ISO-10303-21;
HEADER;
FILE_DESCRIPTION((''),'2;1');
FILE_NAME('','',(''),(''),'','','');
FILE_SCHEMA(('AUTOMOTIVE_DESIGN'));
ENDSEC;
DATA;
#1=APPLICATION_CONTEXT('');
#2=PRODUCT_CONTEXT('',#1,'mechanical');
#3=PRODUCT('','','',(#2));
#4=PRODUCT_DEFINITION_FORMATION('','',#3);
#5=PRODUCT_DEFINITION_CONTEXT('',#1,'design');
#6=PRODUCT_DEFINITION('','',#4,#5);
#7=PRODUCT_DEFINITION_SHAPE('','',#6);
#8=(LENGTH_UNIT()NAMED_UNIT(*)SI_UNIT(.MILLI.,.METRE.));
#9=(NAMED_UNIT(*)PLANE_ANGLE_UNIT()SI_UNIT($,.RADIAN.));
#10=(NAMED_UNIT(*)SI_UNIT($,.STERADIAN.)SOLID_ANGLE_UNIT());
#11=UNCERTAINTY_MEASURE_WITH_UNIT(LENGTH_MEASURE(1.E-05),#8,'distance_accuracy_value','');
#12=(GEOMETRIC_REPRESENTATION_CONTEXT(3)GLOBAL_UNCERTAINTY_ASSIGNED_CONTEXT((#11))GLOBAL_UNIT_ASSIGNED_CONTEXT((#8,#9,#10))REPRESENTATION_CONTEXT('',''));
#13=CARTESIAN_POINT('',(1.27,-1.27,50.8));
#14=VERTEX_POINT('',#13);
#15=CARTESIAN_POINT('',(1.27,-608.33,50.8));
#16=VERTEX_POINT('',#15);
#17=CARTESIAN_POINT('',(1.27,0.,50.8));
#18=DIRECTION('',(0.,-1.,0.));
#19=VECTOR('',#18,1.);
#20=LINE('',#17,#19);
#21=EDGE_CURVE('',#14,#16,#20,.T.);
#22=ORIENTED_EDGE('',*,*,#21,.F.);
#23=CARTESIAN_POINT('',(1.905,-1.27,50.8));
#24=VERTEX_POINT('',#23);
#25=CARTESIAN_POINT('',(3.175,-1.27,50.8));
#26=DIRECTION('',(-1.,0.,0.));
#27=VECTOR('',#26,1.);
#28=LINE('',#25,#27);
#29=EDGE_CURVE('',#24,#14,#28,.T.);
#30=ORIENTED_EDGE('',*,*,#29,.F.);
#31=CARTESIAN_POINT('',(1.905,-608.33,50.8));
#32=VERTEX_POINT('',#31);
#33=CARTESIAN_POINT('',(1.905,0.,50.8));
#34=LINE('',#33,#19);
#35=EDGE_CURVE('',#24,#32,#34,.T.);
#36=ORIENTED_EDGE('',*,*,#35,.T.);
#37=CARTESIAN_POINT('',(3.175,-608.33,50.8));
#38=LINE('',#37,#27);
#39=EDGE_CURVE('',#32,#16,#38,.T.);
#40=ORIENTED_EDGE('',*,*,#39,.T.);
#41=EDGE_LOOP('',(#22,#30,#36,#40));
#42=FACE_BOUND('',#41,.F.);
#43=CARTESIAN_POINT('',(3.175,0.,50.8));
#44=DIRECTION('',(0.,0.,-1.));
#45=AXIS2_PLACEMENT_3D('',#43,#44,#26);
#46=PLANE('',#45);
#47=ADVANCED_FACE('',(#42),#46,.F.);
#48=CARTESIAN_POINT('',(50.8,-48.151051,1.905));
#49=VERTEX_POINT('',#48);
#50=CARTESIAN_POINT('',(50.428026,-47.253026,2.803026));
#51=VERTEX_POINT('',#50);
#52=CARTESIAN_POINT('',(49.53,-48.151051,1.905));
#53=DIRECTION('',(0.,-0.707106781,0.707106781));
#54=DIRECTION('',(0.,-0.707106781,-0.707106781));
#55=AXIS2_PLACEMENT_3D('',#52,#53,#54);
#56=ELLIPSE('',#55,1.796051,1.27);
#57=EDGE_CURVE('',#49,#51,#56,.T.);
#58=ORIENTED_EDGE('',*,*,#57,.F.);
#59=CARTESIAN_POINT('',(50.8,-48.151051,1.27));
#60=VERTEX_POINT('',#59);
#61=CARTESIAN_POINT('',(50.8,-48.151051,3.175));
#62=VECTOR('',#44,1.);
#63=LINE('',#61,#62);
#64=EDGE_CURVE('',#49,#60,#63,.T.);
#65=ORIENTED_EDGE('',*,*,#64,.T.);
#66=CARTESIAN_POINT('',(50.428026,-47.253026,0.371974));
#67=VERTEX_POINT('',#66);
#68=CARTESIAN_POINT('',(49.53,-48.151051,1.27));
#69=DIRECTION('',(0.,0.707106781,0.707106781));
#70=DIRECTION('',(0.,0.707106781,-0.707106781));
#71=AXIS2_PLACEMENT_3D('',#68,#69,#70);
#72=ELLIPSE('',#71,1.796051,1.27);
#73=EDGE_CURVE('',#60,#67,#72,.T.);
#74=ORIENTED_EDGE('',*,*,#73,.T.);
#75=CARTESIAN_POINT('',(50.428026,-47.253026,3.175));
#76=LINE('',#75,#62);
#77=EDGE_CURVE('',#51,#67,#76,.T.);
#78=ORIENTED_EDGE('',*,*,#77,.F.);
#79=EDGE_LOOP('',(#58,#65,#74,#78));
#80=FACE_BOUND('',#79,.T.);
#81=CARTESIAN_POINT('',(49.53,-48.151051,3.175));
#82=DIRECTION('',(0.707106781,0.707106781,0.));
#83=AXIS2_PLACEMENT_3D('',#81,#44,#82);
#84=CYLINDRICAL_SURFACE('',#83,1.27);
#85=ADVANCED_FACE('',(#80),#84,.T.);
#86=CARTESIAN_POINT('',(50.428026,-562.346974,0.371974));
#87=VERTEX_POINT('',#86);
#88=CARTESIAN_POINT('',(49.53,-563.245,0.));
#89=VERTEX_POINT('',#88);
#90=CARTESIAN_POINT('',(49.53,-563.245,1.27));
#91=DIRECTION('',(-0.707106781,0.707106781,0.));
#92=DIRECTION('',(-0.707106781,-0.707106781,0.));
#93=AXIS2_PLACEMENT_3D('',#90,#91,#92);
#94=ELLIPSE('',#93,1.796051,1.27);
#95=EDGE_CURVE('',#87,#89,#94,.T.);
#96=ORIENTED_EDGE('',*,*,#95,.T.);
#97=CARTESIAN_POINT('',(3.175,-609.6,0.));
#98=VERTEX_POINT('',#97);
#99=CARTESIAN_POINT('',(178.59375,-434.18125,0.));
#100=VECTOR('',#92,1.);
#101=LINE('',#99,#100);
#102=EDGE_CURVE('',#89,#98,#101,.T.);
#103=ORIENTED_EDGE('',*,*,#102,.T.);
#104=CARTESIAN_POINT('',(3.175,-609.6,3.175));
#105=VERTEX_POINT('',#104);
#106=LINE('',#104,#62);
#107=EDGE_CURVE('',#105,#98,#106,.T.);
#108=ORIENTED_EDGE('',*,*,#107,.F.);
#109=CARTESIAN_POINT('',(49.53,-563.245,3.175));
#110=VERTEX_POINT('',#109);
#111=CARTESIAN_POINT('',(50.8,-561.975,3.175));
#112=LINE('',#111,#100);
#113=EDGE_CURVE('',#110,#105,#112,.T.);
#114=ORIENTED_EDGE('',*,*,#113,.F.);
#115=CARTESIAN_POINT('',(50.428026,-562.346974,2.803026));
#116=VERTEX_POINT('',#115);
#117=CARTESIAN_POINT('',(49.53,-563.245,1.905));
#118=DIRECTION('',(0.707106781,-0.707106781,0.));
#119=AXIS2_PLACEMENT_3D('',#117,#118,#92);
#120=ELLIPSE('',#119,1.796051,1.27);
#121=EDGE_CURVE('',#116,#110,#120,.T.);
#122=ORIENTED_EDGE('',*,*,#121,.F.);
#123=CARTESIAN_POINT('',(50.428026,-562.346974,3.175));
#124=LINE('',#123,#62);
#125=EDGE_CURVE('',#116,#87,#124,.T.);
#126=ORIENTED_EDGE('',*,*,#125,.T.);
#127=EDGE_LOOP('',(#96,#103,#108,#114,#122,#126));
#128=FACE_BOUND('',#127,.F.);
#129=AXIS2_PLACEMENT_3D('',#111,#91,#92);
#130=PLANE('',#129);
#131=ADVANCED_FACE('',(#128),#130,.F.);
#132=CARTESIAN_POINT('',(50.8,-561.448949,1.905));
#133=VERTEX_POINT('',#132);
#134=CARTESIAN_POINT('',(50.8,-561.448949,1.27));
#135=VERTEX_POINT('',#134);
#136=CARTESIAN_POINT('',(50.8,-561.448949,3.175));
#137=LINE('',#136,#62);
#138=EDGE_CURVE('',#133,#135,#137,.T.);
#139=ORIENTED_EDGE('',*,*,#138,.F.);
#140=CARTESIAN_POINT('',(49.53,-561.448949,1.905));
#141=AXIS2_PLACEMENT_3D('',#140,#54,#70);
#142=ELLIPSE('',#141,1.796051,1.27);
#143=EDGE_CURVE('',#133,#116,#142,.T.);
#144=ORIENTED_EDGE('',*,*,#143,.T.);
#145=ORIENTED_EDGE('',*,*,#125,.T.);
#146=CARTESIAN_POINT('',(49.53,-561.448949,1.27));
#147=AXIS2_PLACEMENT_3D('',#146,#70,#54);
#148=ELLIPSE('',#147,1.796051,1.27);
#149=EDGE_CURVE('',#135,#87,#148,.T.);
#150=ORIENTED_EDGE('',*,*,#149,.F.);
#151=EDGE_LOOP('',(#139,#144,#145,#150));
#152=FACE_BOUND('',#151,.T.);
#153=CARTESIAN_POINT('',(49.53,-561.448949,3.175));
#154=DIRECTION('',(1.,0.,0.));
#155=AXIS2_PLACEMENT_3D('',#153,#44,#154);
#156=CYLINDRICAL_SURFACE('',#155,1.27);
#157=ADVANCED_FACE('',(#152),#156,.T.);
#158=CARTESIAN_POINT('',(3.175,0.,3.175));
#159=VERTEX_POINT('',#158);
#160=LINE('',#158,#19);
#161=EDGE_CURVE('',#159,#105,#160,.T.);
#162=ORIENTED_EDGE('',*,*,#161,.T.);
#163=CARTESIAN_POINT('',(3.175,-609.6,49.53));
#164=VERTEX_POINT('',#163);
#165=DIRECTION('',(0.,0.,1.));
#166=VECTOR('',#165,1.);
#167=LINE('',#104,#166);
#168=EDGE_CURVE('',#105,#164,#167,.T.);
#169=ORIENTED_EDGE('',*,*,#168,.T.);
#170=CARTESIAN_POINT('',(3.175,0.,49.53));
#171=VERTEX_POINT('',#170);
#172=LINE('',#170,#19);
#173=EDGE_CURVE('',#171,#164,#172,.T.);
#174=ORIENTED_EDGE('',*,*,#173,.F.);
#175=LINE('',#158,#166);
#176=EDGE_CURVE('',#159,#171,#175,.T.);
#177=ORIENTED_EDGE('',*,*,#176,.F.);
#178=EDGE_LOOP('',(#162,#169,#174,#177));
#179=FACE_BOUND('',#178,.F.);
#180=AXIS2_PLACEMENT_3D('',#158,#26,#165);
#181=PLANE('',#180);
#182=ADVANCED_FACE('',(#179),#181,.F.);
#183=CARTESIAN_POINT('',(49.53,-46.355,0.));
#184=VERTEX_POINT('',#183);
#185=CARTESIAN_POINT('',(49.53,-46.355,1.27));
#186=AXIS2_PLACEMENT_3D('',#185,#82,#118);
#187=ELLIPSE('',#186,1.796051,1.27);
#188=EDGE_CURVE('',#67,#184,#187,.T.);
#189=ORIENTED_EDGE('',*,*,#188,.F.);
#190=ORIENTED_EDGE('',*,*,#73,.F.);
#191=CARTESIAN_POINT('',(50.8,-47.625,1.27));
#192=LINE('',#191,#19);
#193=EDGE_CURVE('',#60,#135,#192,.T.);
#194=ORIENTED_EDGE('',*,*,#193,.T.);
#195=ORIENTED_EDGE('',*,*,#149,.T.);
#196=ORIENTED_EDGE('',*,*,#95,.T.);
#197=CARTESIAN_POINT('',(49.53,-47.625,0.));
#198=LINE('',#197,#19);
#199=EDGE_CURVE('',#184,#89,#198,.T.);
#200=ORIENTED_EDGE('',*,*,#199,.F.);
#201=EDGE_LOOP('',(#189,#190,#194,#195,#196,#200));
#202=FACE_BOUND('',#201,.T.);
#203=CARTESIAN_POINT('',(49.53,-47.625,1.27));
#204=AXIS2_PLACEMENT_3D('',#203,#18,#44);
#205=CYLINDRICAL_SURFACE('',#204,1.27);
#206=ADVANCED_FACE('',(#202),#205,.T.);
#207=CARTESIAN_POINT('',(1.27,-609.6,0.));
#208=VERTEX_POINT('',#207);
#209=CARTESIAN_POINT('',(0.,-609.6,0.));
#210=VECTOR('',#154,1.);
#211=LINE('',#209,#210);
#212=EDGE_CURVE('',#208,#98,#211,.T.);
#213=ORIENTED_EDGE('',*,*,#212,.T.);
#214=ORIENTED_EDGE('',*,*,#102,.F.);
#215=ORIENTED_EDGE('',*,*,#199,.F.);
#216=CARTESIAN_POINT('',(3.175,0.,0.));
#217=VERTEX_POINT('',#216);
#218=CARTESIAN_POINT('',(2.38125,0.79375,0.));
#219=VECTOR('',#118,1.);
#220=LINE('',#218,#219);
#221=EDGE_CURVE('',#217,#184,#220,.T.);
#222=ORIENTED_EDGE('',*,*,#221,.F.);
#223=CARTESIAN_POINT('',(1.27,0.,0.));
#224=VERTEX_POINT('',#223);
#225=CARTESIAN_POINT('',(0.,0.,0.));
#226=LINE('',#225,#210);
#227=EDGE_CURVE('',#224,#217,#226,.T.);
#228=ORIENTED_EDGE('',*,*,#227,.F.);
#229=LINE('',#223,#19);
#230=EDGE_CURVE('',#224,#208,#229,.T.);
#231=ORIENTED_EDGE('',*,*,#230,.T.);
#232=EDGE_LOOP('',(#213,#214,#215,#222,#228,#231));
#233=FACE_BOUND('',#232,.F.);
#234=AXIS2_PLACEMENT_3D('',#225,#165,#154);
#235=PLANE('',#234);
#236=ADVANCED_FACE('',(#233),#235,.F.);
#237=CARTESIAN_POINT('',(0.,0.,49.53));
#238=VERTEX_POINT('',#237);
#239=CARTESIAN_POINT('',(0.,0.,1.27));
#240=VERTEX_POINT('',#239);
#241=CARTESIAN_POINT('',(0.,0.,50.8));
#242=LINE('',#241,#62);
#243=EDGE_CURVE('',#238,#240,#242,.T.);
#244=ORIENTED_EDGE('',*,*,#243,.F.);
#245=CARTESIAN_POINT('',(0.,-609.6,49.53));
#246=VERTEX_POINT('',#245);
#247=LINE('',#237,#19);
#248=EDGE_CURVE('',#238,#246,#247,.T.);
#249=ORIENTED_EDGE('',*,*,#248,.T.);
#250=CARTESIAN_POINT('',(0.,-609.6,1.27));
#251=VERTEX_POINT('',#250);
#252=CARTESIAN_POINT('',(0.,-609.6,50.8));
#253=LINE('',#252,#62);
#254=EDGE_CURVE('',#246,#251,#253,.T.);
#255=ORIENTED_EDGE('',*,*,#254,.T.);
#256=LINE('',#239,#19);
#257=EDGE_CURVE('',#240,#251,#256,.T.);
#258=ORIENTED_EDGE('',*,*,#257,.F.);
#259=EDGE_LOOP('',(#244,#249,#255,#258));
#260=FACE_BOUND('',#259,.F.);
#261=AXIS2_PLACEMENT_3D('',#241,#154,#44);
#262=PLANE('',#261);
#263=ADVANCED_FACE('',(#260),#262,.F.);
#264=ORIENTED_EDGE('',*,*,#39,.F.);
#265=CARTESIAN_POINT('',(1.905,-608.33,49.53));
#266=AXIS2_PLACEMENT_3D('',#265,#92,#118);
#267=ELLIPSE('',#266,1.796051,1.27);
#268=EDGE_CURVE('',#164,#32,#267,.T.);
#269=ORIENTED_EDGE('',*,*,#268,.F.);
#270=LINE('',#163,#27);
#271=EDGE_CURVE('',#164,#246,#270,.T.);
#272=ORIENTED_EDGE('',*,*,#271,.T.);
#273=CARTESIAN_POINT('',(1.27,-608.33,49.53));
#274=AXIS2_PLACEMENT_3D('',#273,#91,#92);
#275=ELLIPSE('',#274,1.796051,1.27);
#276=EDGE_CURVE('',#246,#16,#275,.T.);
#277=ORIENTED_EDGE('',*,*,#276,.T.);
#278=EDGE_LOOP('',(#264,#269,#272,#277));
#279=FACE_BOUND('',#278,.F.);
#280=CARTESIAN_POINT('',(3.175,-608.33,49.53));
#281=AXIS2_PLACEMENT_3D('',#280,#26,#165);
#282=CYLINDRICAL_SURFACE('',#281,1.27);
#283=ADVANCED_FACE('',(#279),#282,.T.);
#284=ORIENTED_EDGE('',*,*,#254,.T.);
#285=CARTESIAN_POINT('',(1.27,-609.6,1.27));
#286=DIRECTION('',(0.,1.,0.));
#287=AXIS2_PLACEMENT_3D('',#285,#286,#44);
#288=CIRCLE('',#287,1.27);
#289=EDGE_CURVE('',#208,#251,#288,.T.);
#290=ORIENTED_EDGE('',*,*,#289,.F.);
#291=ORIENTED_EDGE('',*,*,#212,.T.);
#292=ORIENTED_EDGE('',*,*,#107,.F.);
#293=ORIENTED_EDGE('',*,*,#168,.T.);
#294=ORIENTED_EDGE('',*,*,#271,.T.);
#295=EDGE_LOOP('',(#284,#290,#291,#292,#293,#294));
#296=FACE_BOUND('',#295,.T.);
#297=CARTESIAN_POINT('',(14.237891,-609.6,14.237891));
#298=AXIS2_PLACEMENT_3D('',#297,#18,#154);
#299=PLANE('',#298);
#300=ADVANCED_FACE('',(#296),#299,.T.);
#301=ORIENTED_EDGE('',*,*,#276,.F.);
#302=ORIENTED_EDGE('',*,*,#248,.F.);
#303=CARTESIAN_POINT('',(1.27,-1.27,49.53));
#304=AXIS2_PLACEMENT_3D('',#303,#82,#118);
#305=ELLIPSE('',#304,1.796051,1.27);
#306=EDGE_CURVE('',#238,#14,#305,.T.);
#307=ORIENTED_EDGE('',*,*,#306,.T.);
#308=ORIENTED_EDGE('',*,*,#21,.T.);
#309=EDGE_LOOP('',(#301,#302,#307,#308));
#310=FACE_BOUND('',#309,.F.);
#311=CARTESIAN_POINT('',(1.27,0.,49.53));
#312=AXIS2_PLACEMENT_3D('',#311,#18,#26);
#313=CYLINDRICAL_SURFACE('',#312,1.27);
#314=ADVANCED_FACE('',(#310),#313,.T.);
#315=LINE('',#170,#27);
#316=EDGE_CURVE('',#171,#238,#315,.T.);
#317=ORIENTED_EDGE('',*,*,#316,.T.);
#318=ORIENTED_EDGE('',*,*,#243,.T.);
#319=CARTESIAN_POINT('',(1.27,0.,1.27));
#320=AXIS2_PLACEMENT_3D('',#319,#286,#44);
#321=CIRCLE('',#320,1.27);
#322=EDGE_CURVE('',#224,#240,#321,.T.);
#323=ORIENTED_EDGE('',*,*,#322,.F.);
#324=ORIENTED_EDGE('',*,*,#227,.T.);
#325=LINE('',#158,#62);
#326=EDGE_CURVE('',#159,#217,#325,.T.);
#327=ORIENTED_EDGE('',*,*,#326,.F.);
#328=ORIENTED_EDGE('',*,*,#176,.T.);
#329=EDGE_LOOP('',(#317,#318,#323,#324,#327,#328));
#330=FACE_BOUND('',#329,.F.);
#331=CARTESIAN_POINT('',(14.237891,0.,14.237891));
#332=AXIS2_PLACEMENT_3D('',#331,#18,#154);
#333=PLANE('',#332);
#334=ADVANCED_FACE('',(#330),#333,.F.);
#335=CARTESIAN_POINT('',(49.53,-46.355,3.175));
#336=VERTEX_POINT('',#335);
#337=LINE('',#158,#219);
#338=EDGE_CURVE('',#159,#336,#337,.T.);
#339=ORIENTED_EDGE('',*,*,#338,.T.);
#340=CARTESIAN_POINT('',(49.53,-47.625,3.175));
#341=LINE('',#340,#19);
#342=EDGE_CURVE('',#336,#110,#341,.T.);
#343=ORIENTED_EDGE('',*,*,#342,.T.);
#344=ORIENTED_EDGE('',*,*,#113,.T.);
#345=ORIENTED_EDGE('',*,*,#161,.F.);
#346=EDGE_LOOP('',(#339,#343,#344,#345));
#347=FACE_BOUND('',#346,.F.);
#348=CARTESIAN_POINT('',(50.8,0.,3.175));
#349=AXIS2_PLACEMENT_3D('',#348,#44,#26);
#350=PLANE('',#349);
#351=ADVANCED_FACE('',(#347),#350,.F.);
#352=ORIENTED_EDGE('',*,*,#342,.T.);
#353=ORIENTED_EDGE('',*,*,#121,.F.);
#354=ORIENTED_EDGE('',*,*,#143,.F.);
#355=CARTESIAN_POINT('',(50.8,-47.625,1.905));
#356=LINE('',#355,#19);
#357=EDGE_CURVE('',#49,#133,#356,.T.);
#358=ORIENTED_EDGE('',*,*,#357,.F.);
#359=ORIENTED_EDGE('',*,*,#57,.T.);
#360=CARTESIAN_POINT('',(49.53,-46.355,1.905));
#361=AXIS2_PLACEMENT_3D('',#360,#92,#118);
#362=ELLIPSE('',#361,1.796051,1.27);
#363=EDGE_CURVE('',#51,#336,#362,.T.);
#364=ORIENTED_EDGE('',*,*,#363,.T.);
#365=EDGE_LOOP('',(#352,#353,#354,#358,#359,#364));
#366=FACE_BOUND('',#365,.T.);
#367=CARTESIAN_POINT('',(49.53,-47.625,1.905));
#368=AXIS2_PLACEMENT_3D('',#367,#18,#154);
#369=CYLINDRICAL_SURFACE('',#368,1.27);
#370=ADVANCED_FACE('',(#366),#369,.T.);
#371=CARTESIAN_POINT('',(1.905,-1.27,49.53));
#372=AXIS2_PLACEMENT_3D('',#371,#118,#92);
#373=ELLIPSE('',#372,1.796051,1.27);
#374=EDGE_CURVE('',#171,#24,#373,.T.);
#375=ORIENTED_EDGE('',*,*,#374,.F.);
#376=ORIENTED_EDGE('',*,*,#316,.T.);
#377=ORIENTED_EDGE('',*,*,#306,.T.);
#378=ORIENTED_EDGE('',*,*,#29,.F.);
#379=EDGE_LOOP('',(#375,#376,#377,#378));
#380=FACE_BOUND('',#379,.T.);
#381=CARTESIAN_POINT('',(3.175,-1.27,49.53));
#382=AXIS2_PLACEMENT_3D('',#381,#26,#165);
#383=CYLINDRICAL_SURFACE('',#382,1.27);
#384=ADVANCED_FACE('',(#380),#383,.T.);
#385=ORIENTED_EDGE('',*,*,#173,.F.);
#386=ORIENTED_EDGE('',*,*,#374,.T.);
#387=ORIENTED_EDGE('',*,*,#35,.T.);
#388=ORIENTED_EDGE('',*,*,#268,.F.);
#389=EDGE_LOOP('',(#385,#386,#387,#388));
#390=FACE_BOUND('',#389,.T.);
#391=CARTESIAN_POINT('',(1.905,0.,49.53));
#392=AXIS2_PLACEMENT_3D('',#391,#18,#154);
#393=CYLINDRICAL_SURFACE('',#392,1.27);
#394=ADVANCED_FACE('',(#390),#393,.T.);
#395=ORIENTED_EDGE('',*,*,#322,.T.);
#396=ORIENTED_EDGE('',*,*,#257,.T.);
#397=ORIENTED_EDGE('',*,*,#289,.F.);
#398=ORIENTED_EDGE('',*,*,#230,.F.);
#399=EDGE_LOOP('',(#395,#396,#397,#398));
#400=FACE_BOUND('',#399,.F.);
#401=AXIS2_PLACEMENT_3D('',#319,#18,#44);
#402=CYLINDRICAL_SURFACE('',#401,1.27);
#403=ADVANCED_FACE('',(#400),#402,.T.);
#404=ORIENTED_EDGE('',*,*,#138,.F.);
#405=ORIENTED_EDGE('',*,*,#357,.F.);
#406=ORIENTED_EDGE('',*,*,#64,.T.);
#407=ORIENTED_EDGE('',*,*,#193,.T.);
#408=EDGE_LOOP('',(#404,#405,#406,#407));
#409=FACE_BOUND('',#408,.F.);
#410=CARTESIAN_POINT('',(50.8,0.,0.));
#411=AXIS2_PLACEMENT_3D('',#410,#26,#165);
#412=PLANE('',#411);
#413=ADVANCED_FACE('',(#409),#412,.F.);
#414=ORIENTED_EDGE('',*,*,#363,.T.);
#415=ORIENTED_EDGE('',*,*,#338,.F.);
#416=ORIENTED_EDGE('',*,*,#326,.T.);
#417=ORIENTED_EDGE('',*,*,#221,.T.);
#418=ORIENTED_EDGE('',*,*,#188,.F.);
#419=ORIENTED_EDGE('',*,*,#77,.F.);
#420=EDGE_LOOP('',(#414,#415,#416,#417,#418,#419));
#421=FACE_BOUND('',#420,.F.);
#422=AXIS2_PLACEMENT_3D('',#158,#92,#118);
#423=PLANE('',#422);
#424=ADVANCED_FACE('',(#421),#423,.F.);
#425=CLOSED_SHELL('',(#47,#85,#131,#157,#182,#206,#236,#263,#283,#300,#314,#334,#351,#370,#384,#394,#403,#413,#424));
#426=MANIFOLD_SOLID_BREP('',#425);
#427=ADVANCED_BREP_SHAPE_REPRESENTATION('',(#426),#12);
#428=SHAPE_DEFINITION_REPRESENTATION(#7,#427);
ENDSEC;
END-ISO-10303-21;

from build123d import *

# Parameters (mm, degrees)
F1_DEPTH = 609.6
F3_R     = 1.27
F4_DEPTH = 3.81
F6_DEPTH = 3.81
F7_R     = 1.27
F8_R     = 1.27


with BuildPart() as f1:
    # F0 (on Front) → F1 (new body)
    with BuildSketch(Plane.XZ):
        Polygon((0, 50.8), (0, 0), (50.8, 0), (50.8, 3.175), (3.175, 3.175), (3.175, 50.8), align=None)
    extrude(amount=F1_DEPTH)

    # F3
    f3_edges = [f1.edges().sort_by_distance(p)[0] for p in [
        (3.175, -304.8, 50.8),
        (0, -304.8, 50.8),
        (1.5875, 0, 50.8),
        (1.5875, -609.6, 50.8),
    ]]
    fillet(f3_edges, radius=F3_R)

    # F2 (on face) → F4 (cut)
    with BuildSketch(Plane.XY.offset(3.175)):
        Polygon((50.8, 0), (3.175, 0), (50.8, -47.625), align=None)
    extrude(amount=-F4_DEPTH, mode=Mode.SUBTRACT)

    # F5 (on face) → F6 (cut)
    with BuildSketch(Plane.XY.offset(3.175)):
        Polygon((50.8, -561.975), (3.175, -609.6), (50.8, -609.6), align=None)
    extrude(amount=-F6_DEPTH, mode=Mode.SUBTRACT)

    # F7
    f7_edges = [f1.edges().sort_by_distance(p)[0] for p in [
        (50.8, -304.8, 3.175),
        (50.8, -561.975, 1.5875),
        (50.8, -304.8, 0),
        (50.8, -47.625, 1.5875),
    ]]
    fillet(f7_edges, radius=F7_R)

    # F8
    f8_edges = [f1.edges().sort_by_distance(p)[0] for p in [
        (0, -304.8, 0),
    ]]
    fillet(f8_edges, radius=F8_R)


solid = f1.part
